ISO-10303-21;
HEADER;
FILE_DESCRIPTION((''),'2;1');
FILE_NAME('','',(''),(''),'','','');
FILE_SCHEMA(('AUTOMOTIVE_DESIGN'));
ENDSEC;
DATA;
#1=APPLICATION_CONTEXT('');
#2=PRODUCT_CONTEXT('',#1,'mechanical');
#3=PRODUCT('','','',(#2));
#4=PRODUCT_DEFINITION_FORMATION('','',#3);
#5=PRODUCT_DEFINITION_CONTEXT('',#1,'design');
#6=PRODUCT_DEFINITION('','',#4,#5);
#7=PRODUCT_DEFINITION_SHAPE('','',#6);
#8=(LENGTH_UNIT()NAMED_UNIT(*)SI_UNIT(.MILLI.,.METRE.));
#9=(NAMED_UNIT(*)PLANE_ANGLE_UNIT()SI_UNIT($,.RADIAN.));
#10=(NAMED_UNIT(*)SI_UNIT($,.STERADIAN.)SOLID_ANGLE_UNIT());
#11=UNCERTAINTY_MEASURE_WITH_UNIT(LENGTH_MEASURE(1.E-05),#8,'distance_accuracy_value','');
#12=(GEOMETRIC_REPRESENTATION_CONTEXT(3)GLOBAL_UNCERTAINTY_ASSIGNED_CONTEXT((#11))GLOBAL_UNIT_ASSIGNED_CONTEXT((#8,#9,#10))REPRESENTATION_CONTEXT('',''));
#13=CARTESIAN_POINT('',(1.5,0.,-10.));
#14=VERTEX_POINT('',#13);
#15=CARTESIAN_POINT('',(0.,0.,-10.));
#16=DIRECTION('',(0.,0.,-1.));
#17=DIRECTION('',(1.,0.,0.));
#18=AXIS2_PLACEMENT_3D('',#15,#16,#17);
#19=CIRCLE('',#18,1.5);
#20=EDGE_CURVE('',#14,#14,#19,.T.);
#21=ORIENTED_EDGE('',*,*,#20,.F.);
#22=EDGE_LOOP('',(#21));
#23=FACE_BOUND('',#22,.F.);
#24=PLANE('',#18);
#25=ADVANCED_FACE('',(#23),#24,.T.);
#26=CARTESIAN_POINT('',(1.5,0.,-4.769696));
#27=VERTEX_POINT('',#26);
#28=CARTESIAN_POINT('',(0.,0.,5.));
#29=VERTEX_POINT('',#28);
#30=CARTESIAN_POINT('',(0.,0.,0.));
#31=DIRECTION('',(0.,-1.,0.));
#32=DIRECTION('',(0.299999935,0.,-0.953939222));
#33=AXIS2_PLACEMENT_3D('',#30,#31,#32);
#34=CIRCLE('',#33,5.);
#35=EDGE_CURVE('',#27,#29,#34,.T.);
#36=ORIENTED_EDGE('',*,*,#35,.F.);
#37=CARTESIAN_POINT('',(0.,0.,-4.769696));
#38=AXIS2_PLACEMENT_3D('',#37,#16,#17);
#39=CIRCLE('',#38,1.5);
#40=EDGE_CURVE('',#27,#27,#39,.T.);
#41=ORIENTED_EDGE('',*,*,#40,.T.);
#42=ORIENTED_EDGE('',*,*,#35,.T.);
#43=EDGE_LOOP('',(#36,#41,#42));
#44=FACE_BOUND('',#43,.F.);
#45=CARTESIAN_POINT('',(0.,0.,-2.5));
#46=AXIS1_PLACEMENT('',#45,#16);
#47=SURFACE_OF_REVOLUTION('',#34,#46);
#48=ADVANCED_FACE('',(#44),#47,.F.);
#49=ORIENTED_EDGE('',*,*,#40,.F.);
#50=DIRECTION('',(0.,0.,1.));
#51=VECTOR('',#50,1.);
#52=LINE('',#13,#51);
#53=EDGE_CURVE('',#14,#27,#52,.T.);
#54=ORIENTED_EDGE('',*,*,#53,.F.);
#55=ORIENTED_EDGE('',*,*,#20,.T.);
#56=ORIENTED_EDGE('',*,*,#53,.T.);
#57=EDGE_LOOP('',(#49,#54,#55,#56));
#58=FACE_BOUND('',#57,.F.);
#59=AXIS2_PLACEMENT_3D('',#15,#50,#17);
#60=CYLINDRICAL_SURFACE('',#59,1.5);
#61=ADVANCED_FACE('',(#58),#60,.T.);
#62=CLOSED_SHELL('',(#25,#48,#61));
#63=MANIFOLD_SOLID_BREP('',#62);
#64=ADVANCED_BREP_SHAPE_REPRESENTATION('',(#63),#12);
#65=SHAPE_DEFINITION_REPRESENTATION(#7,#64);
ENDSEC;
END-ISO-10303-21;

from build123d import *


with BuildPart() as f1:
    # F0 (on Front) → F1 (revolve)
    with BuildSketch(Plane.XZ):
        with BuildLine():
            Line((1.5, -10), (1.5, -4.769696))
            ThreePointArc((1.5, -4.769696), (4.942089, 0.758788), (0, 5))
            Line((0, 5), (0, -10))
            Line((0, -10), (1.5, -10))
        make_face()
    revolve(axis=Axis((0, 0, -2.5), (0, 0, -1)))


solid = f1.part
